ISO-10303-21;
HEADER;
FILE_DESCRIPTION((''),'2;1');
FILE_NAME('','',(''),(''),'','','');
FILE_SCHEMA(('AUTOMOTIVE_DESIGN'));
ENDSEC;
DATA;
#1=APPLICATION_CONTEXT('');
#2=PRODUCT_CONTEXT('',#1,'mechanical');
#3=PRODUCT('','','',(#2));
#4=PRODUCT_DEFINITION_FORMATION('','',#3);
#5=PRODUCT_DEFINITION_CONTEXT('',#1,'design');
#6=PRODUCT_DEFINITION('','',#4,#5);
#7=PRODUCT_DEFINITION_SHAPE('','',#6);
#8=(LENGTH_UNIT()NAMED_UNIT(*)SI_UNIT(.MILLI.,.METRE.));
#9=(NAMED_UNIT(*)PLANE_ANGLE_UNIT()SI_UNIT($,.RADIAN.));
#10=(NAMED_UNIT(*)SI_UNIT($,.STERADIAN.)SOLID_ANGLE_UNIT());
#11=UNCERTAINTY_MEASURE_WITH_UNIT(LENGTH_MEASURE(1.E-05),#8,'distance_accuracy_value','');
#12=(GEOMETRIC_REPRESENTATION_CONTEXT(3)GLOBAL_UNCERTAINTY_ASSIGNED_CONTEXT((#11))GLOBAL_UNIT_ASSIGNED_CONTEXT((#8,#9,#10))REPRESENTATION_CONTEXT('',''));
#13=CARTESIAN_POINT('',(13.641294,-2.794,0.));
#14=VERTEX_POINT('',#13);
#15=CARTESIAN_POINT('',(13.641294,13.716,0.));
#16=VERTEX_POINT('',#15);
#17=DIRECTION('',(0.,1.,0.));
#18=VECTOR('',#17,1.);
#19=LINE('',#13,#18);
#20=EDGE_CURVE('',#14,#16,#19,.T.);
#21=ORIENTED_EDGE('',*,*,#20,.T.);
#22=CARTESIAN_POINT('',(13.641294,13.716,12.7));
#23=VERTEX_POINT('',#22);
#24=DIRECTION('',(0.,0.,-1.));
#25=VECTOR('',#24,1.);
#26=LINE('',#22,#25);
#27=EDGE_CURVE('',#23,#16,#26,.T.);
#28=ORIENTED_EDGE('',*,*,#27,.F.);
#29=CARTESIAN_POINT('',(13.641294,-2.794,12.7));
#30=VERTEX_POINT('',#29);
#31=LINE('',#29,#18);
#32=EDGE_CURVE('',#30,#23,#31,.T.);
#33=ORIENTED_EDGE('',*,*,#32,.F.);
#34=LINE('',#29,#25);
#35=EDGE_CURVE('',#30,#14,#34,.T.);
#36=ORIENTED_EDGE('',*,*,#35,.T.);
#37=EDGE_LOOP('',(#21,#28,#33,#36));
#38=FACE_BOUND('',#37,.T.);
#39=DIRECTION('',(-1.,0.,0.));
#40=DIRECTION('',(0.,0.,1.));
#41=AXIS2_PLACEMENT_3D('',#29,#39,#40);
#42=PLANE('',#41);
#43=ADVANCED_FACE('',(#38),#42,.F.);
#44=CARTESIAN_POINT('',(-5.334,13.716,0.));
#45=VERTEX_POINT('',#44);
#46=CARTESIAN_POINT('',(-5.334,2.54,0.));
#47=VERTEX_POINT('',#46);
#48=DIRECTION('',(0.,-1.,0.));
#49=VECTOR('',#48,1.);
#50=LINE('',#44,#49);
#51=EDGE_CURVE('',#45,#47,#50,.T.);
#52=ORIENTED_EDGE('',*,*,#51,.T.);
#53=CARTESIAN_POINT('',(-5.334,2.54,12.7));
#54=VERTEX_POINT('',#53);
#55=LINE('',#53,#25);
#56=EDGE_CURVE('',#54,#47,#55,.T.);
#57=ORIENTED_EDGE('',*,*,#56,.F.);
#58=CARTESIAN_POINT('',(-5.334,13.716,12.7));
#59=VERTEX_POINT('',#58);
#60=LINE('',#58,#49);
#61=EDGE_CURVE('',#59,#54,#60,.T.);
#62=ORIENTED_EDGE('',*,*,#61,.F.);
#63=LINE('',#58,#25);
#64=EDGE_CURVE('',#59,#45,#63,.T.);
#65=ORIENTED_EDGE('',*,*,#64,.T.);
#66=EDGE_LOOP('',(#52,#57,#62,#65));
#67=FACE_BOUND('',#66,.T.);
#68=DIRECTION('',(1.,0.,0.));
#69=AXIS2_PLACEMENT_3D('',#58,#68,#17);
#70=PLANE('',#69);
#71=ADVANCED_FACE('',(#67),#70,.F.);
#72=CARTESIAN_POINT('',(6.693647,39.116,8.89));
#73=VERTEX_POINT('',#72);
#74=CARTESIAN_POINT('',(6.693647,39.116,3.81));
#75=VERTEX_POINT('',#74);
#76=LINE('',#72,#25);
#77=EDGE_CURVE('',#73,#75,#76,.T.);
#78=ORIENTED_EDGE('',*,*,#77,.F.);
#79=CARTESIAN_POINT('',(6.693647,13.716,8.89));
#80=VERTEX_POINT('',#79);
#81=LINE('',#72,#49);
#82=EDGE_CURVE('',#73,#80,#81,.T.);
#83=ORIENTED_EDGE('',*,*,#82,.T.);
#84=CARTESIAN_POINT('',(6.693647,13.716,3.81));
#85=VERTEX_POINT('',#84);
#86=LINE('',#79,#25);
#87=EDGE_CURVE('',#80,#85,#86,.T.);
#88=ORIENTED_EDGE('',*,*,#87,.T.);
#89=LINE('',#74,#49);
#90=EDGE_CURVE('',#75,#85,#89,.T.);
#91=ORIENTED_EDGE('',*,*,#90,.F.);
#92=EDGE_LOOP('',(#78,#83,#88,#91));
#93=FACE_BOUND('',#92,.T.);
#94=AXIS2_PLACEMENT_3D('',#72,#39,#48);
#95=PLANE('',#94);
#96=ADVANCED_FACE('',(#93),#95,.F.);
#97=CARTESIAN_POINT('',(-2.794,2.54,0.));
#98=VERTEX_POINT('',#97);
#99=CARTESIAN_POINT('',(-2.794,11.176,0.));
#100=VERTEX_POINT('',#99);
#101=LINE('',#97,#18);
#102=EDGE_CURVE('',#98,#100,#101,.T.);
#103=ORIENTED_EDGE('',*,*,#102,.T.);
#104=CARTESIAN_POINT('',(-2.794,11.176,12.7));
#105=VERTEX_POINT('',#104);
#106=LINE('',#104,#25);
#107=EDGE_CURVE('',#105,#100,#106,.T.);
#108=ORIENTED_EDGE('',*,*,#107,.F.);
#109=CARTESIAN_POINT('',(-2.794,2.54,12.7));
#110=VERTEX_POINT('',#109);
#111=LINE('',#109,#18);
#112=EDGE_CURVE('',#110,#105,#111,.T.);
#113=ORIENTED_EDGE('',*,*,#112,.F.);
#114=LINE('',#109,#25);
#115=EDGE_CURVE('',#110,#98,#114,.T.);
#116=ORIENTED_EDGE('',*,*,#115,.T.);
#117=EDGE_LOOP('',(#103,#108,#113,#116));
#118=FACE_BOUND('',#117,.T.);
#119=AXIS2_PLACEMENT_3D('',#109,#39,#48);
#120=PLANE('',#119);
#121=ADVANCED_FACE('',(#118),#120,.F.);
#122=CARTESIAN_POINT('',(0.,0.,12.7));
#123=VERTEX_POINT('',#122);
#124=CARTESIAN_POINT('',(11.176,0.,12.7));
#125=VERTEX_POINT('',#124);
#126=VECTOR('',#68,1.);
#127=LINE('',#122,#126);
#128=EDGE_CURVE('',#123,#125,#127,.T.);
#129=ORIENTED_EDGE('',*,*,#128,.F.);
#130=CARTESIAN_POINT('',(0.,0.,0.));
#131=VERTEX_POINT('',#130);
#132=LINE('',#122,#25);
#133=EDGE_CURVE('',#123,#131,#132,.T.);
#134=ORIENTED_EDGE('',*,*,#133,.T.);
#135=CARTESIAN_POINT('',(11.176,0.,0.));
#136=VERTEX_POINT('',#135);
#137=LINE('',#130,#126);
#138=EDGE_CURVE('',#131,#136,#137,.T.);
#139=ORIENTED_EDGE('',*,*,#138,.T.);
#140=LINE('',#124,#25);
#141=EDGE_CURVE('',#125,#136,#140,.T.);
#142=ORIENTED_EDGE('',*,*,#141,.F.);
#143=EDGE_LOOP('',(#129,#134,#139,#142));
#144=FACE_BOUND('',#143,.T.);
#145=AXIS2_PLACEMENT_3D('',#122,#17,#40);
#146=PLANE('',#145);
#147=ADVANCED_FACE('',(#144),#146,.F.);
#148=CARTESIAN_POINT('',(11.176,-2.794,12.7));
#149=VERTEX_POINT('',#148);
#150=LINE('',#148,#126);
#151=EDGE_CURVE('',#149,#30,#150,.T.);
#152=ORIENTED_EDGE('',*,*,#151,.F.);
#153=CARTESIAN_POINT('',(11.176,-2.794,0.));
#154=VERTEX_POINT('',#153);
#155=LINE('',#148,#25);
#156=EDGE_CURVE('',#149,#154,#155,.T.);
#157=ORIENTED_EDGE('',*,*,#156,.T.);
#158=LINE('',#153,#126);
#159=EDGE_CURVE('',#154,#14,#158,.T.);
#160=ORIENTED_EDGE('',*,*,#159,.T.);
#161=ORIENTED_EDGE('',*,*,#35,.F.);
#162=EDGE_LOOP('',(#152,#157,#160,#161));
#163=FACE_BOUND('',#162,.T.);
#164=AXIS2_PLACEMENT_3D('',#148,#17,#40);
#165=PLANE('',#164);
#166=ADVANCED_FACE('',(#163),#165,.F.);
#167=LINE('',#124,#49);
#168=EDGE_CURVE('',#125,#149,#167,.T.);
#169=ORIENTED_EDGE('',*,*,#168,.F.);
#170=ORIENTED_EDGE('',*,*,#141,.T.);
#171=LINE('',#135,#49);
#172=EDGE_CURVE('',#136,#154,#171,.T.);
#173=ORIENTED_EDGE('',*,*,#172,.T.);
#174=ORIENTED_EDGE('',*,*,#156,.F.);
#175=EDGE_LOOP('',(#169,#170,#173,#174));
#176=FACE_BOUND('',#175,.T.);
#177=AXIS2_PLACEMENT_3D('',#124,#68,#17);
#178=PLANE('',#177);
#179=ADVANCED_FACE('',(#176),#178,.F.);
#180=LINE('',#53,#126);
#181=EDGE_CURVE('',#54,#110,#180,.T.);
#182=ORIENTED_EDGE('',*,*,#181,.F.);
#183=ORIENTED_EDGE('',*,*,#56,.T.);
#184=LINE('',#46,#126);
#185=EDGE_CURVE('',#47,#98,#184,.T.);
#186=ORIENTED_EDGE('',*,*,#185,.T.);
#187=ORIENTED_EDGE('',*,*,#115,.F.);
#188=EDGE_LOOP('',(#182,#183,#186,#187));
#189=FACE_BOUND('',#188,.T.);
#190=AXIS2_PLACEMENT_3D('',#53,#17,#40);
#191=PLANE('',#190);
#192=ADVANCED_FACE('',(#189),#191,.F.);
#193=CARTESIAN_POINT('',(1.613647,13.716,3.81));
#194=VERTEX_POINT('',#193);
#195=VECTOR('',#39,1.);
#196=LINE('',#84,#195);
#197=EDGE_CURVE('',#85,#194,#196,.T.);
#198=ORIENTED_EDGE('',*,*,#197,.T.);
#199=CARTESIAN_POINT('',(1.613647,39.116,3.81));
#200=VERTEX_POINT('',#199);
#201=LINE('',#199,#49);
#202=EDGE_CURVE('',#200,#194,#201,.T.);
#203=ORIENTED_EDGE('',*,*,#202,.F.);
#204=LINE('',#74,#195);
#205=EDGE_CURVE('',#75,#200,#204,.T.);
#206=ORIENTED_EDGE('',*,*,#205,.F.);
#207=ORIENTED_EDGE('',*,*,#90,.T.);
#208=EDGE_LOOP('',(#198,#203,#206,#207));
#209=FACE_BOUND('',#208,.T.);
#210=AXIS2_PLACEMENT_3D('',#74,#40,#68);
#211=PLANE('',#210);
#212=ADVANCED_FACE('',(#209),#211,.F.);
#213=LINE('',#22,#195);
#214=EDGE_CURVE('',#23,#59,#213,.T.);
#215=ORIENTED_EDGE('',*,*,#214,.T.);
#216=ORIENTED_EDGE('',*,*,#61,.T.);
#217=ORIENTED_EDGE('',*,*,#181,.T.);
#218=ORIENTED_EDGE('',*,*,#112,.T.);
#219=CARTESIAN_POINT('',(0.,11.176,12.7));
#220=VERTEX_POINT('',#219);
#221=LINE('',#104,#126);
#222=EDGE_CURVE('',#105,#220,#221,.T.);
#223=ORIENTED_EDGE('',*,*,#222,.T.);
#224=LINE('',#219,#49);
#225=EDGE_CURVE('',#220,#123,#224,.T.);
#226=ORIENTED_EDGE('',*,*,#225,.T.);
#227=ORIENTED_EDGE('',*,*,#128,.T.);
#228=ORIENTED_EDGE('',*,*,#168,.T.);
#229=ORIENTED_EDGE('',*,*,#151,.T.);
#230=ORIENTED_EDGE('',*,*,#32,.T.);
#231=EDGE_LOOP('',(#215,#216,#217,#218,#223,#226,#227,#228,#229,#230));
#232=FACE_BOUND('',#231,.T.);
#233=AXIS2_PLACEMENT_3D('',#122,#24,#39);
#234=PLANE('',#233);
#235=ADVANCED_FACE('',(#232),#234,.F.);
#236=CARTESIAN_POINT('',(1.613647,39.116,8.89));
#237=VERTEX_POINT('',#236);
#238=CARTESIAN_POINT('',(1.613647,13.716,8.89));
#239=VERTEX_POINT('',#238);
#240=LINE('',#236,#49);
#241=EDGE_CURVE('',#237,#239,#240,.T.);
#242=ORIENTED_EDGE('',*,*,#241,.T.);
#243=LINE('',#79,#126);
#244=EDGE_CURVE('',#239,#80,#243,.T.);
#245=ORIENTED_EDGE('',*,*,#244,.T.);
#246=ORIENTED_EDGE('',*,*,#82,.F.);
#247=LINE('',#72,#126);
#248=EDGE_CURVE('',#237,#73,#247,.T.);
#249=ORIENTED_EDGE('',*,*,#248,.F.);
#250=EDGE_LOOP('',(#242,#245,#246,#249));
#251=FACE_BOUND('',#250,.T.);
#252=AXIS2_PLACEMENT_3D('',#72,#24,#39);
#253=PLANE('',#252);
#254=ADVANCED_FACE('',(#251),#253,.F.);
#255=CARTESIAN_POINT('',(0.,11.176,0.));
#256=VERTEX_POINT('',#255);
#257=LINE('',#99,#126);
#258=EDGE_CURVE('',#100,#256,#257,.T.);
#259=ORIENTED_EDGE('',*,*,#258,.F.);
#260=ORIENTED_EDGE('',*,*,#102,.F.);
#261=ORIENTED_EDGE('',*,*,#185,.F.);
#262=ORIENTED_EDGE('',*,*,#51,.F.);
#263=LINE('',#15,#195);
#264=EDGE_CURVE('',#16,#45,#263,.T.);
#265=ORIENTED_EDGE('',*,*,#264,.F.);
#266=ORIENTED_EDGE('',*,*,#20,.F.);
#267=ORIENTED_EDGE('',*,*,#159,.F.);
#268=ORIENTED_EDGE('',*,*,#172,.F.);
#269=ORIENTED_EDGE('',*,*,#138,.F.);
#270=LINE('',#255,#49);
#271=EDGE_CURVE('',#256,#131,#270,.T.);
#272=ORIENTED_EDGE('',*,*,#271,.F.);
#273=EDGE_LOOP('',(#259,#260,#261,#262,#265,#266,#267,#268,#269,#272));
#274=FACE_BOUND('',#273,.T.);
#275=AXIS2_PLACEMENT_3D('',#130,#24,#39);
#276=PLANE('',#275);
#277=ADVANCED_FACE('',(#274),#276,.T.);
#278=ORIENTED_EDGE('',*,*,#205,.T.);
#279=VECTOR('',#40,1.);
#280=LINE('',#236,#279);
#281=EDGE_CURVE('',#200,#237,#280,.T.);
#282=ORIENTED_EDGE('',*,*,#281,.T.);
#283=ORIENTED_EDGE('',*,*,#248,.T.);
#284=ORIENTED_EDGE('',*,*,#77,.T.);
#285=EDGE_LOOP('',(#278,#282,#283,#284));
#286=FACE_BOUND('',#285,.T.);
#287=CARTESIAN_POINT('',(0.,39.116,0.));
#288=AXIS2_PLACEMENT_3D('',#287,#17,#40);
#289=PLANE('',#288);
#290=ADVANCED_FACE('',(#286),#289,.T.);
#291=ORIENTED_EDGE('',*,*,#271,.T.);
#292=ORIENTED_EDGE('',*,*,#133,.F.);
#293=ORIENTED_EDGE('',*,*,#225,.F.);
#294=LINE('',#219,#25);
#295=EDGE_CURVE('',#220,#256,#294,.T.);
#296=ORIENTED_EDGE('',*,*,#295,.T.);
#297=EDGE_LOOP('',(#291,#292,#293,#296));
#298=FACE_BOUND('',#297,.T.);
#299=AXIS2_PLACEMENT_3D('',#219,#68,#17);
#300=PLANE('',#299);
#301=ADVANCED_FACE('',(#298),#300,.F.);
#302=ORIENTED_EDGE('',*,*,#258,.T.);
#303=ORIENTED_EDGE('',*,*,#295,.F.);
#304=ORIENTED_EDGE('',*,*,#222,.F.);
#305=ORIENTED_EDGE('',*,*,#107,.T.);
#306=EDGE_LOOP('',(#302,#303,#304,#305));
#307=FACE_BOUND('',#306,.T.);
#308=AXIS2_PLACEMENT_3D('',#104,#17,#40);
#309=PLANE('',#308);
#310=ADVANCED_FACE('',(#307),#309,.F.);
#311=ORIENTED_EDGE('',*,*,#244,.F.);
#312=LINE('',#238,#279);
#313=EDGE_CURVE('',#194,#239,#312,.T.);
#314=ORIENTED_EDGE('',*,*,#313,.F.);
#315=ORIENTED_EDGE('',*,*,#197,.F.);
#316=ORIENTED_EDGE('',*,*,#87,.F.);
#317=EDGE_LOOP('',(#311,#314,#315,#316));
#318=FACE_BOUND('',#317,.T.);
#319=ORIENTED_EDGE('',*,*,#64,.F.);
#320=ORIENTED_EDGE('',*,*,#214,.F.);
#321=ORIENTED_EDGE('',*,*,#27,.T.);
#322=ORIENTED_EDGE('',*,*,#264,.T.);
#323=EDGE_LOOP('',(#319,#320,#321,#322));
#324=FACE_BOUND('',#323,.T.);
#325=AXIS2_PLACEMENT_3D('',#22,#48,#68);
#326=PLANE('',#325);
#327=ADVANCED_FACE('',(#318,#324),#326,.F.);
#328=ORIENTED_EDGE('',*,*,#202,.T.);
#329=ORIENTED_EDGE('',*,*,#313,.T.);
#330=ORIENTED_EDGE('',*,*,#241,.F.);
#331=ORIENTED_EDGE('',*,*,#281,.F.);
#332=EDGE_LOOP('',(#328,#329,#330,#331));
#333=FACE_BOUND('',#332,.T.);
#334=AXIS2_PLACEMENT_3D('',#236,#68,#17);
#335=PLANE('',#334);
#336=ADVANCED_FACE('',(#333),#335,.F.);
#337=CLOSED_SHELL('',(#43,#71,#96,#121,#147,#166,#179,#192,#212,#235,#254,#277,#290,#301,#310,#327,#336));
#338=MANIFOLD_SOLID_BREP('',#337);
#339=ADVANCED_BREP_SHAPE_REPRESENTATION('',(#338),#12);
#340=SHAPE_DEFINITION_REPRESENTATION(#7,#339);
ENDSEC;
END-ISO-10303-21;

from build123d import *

# Parameters (mm, degrees)
BOSS_EXTRUDE2_DEPTH = 12.7
SKETCH2_W           = 5.08
SKETCH2_H           = 5.08
BOSS_EXTRUDE3_DEPTH = 25.4


with BuildPart() as part:
    # Sketch1 → Boss-Extrude2 (new body)
    with BuildSketch(Plane.XY):
        Polygon((0, 11.176), (0, 0), (11.176, 0), (11.176, -2.794), (13.641294118, -2.794), (13.641294118, 13.716), (-5.334, 13.716), (-5.334, 2.54), (-2.794, 2.54), (-2.794, 11.176), align=None)
    extrude(amount=BOSS_EXTRUDE2_DEPTH)

    # Sketch2 → Boss-Extrude3 (add)
    with BuildSketch(Plane(origin=(0, 13.716, 0), x_dir=(1, 0, 0), z_dir=(0, 1, 0))):
        with Locations((4.153647059, -6.35)):
            Rectangle(SKETCH2_W, SKETCH2_H)
    extrude(amount=BOSS_EXTRUDE3_DEPTH)


solid = part.part
